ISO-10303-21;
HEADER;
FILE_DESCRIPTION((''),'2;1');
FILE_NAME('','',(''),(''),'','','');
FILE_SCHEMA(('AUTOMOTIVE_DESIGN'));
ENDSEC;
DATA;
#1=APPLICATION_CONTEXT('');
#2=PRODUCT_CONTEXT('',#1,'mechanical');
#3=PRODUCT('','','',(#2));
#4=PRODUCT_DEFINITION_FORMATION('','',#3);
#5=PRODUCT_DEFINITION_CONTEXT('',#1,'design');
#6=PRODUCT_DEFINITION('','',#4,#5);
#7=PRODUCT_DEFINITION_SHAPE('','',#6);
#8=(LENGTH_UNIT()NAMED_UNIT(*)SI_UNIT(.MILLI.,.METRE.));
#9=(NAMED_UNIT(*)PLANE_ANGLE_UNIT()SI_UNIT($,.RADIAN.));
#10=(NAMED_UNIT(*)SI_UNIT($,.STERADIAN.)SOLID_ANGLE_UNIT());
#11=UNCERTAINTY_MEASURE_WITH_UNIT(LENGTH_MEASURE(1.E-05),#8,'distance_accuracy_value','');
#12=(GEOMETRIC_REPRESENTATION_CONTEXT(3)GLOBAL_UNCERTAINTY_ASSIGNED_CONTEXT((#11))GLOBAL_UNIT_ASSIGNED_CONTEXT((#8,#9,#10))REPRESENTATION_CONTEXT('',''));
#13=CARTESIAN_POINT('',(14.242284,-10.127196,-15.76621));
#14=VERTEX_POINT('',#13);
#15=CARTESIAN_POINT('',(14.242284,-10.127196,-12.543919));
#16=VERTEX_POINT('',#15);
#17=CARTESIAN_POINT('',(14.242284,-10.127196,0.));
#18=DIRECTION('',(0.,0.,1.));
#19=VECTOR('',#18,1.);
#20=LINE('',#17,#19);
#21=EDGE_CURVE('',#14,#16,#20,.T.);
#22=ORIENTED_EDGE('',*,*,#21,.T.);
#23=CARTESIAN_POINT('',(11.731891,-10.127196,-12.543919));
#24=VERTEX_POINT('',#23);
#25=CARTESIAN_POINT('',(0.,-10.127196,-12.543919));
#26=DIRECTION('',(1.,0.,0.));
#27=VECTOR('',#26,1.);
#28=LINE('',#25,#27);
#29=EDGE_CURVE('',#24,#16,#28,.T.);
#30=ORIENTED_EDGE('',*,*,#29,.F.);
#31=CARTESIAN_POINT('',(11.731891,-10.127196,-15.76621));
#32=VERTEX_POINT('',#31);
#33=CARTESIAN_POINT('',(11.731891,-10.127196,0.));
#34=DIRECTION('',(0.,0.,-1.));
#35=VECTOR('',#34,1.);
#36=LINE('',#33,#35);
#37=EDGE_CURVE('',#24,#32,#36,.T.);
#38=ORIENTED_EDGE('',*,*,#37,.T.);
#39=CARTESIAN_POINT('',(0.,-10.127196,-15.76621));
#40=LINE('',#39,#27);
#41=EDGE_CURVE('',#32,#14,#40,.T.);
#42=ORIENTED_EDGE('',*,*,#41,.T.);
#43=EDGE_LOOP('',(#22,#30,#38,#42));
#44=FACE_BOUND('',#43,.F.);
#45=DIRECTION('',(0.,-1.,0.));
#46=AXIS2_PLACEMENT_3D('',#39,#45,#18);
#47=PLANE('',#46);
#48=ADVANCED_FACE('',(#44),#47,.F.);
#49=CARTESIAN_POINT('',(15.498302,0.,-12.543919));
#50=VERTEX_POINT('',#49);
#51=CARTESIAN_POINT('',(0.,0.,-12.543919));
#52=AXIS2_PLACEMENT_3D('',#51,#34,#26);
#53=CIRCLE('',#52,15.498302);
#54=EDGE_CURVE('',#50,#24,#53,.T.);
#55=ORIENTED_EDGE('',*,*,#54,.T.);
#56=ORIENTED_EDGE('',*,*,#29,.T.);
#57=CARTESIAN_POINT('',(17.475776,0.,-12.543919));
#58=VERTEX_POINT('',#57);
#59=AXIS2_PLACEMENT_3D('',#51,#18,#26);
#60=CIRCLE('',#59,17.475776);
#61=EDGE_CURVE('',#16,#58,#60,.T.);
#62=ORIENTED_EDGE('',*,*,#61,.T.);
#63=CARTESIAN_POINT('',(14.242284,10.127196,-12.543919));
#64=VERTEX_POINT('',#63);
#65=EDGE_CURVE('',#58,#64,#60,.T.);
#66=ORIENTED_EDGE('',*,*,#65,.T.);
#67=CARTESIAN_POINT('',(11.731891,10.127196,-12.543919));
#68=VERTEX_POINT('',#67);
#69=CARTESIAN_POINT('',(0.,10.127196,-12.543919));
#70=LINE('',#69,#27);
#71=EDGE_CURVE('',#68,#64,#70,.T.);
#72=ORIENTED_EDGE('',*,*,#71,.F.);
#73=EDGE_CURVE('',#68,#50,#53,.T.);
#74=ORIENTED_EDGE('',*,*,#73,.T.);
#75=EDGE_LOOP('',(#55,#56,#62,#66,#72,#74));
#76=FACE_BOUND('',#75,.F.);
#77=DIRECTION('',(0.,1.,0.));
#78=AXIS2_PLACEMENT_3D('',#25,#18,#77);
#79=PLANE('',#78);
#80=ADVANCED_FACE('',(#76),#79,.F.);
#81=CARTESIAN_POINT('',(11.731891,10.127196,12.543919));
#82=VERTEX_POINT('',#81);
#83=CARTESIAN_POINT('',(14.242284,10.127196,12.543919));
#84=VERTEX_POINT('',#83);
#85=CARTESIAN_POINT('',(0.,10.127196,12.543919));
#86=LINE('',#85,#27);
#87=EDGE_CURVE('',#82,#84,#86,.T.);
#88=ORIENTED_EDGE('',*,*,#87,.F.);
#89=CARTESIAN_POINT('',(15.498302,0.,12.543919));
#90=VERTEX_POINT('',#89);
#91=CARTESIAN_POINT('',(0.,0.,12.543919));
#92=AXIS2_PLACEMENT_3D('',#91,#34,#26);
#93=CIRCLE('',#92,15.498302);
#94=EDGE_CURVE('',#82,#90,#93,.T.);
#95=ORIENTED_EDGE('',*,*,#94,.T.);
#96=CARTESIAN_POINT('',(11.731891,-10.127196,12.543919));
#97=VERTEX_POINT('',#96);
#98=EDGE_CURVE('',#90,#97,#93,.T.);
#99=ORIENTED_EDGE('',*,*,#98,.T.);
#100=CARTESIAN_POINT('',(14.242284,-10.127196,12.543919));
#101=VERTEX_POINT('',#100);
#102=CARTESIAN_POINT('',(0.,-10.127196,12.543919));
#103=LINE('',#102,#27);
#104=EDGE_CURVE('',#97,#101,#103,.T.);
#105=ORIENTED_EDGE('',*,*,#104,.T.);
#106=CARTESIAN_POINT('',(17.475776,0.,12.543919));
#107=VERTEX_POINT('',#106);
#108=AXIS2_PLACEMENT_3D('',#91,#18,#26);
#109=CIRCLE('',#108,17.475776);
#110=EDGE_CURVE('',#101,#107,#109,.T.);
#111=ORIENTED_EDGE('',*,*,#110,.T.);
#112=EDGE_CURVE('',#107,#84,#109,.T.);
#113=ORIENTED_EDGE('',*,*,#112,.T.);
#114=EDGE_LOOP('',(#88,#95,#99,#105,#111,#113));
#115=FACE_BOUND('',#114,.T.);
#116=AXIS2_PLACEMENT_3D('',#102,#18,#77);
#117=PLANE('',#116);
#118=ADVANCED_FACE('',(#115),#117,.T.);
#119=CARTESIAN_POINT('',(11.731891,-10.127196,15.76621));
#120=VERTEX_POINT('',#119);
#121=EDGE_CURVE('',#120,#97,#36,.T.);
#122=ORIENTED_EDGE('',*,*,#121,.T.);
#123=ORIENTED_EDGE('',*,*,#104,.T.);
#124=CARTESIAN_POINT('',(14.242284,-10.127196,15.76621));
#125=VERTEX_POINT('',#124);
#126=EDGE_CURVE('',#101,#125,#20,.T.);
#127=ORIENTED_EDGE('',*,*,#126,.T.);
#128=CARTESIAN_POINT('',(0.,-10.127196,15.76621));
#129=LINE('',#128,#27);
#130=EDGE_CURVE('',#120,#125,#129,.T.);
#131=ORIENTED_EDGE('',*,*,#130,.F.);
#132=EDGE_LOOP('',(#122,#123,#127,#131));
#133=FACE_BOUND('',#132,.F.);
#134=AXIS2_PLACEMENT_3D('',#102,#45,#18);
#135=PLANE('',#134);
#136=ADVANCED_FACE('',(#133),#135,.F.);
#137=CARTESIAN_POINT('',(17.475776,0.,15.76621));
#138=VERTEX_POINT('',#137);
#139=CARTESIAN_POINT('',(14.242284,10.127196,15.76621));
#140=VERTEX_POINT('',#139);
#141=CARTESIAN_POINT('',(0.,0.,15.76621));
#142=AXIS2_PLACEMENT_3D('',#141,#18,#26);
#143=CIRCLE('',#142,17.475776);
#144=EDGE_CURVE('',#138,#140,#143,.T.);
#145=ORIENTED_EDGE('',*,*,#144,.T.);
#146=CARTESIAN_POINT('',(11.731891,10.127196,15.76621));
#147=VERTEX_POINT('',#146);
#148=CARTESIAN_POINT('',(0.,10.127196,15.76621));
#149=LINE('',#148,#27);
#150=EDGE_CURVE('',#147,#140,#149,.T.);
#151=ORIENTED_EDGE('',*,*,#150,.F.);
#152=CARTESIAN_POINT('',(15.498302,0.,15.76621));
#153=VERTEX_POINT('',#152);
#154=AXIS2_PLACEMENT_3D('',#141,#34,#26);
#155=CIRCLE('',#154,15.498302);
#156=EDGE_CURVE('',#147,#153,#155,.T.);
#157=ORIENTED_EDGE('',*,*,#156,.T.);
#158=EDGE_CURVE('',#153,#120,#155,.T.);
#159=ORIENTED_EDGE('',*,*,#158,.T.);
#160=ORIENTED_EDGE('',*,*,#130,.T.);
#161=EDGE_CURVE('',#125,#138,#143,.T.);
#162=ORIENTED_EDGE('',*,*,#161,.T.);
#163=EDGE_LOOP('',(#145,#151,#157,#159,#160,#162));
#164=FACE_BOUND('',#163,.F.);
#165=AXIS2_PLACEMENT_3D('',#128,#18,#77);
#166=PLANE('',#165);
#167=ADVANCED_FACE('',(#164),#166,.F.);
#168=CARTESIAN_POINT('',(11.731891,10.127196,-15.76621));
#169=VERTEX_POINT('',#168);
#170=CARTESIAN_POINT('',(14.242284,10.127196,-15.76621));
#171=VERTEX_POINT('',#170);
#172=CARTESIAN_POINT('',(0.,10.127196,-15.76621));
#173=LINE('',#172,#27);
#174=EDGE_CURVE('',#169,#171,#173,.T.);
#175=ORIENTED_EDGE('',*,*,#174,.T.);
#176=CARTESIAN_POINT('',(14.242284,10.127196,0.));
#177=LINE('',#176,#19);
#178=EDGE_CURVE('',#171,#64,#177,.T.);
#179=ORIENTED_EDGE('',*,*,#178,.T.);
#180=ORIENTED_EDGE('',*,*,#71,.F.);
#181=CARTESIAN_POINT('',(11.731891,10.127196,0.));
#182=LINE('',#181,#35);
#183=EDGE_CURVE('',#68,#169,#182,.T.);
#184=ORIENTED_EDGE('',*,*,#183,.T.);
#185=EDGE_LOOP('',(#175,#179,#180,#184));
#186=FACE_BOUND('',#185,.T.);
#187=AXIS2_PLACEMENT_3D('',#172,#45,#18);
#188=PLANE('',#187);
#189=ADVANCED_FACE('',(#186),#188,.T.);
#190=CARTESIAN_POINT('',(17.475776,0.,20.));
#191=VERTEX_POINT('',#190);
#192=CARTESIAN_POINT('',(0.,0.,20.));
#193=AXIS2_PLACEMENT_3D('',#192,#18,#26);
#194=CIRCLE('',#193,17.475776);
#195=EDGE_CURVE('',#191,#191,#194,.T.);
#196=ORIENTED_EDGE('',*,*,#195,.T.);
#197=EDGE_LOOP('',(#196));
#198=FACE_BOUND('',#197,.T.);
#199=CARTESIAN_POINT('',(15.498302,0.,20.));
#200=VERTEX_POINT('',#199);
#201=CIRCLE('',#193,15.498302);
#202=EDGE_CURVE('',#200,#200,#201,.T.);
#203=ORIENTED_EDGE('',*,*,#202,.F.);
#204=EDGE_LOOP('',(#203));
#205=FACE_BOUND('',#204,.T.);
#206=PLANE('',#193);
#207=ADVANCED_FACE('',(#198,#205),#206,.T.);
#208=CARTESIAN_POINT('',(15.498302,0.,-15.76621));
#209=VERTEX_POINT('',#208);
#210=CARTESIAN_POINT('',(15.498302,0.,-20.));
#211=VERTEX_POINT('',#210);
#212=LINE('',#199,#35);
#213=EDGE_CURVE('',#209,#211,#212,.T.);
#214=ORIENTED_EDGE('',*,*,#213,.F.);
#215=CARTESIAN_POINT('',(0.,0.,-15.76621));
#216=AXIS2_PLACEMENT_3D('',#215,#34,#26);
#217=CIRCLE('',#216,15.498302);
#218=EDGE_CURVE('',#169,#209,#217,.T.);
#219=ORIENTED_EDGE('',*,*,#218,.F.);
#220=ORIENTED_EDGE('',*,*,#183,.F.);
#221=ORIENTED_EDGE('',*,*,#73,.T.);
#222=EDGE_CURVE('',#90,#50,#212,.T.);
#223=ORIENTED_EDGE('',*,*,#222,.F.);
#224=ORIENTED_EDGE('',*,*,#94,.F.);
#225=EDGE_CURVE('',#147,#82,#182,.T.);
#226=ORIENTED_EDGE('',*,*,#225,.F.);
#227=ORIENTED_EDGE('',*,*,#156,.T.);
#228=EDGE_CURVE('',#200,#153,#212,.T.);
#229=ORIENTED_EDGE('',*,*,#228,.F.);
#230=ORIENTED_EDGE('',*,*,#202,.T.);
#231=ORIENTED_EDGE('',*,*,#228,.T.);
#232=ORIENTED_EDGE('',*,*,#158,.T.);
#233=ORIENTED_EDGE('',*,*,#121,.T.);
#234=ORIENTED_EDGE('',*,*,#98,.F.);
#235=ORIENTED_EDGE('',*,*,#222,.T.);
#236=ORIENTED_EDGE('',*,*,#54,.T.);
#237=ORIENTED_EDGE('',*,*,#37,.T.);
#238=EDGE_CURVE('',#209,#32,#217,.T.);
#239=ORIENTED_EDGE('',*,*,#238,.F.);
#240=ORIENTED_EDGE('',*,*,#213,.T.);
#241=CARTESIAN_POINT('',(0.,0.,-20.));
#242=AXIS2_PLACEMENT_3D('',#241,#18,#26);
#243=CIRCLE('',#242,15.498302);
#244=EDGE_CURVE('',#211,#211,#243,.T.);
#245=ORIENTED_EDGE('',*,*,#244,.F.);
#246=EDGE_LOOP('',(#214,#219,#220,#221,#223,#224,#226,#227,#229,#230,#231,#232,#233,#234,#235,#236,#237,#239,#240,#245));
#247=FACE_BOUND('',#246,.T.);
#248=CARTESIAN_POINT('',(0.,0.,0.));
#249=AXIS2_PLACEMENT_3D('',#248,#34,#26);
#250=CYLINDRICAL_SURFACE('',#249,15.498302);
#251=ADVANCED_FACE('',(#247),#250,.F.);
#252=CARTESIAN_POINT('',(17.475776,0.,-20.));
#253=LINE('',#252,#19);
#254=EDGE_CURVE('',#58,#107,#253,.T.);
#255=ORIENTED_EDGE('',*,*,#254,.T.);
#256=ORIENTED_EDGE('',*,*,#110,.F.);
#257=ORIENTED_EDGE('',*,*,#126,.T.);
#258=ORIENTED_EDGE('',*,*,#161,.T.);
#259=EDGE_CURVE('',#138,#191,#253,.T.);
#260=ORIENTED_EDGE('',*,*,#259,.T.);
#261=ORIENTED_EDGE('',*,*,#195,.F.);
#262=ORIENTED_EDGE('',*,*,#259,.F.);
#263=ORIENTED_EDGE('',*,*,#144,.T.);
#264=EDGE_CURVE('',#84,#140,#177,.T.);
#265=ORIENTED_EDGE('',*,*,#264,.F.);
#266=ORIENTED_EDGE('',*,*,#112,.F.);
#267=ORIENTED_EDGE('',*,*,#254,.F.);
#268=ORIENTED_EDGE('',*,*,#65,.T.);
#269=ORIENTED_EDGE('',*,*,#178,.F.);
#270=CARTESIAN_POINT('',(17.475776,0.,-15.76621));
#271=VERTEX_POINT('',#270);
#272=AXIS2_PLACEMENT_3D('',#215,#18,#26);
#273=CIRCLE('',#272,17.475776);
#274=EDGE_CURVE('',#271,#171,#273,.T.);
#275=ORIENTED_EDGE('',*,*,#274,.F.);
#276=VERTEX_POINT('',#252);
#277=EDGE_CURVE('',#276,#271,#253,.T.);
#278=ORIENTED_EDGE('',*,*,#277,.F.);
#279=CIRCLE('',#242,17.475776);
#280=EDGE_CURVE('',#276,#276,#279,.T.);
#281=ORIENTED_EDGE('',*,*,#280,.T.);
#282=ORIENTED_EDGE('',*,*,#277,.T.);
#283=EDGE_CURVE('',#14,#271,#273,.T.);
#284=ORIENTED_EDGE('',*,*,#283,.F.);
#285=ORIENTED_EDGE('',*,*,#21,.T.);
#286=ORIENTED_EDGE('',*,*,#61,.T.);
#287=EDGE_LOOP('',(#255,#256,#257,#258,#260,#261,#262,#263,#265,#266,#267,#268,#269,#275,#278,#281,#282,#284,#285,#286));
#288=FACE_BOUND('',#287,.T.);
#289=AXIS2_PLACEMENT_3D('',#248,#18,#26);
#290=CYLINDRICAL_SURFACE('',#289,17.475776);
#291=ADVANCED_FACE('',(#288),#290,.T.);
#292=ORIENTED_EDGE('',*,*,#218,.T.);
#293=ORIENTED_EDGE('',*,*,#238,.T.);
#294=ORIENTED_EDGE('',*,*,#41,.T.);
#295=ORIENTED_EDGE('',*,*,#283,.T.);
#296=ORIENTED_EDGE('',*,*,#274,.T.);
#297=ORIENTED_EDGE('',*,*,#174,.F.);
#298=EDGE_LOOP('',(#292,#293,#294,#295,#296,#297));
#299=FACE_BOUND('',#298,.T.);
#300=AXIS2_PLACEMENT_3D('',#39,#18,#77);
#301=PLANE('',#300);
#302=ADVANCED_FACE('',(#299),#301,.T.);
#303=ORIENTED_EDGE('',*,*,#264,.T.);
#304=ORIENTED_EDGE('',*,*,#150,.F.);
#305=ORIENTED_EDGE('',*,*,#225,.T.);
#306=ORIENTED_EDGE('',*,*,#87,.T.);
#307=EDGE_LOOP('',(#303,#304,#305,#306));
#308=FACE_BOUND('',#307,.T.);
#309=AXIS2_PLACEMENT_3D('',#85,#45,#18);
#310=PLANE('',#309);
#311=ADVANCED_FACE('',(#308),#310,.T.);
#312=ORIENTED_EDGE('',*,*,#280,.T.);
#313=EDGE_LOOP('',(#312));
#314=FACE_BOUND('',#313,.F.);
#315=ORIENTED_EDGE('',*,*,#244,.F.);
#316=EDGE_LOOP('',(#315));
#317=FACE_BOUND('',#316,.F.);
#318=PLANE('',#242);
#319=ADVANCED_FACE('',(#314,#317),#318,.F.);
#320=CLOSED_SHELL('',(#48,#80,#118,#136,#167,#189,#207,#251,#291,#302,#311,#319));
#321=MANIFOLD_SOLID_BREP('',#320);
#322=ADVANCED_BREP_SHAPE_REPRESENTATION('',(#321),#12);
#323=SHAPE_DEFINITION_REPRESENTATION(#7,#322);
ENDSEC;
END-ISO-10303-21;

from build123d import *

# Parameters (mm, degrees)
F0_R     = 17.475776
F0_R_2   = 15.498302
F1_DEPTH = 20
F2_W     = 20.254392
F2_H     = 3.222291
F3_DEPTH = 25


with BuildPart() as f1:
    # F0 (on Top) → F1 (new body, symmetric)
    with BuildSketch(Plane.XY):
        Circle(F0_R)
        Circle(F0_R_2, mode=Mode.SUBTRACT)
    extrude(amount=F1_DEPTH, both=True)

    # F2 (on Right) → F3 (cut)
    with BuildSketch(Plane.YZ):
        with Locations((0, 14.155064)):
            Rectangle(F2_W, F2_H)
        with Locations((0, -14.155064)):
            Rectangle(F2_W, F2_H)
    extrude(amount=F3_DEPTH, mode=Mode.SUBTRACT)


solid = f1.part
